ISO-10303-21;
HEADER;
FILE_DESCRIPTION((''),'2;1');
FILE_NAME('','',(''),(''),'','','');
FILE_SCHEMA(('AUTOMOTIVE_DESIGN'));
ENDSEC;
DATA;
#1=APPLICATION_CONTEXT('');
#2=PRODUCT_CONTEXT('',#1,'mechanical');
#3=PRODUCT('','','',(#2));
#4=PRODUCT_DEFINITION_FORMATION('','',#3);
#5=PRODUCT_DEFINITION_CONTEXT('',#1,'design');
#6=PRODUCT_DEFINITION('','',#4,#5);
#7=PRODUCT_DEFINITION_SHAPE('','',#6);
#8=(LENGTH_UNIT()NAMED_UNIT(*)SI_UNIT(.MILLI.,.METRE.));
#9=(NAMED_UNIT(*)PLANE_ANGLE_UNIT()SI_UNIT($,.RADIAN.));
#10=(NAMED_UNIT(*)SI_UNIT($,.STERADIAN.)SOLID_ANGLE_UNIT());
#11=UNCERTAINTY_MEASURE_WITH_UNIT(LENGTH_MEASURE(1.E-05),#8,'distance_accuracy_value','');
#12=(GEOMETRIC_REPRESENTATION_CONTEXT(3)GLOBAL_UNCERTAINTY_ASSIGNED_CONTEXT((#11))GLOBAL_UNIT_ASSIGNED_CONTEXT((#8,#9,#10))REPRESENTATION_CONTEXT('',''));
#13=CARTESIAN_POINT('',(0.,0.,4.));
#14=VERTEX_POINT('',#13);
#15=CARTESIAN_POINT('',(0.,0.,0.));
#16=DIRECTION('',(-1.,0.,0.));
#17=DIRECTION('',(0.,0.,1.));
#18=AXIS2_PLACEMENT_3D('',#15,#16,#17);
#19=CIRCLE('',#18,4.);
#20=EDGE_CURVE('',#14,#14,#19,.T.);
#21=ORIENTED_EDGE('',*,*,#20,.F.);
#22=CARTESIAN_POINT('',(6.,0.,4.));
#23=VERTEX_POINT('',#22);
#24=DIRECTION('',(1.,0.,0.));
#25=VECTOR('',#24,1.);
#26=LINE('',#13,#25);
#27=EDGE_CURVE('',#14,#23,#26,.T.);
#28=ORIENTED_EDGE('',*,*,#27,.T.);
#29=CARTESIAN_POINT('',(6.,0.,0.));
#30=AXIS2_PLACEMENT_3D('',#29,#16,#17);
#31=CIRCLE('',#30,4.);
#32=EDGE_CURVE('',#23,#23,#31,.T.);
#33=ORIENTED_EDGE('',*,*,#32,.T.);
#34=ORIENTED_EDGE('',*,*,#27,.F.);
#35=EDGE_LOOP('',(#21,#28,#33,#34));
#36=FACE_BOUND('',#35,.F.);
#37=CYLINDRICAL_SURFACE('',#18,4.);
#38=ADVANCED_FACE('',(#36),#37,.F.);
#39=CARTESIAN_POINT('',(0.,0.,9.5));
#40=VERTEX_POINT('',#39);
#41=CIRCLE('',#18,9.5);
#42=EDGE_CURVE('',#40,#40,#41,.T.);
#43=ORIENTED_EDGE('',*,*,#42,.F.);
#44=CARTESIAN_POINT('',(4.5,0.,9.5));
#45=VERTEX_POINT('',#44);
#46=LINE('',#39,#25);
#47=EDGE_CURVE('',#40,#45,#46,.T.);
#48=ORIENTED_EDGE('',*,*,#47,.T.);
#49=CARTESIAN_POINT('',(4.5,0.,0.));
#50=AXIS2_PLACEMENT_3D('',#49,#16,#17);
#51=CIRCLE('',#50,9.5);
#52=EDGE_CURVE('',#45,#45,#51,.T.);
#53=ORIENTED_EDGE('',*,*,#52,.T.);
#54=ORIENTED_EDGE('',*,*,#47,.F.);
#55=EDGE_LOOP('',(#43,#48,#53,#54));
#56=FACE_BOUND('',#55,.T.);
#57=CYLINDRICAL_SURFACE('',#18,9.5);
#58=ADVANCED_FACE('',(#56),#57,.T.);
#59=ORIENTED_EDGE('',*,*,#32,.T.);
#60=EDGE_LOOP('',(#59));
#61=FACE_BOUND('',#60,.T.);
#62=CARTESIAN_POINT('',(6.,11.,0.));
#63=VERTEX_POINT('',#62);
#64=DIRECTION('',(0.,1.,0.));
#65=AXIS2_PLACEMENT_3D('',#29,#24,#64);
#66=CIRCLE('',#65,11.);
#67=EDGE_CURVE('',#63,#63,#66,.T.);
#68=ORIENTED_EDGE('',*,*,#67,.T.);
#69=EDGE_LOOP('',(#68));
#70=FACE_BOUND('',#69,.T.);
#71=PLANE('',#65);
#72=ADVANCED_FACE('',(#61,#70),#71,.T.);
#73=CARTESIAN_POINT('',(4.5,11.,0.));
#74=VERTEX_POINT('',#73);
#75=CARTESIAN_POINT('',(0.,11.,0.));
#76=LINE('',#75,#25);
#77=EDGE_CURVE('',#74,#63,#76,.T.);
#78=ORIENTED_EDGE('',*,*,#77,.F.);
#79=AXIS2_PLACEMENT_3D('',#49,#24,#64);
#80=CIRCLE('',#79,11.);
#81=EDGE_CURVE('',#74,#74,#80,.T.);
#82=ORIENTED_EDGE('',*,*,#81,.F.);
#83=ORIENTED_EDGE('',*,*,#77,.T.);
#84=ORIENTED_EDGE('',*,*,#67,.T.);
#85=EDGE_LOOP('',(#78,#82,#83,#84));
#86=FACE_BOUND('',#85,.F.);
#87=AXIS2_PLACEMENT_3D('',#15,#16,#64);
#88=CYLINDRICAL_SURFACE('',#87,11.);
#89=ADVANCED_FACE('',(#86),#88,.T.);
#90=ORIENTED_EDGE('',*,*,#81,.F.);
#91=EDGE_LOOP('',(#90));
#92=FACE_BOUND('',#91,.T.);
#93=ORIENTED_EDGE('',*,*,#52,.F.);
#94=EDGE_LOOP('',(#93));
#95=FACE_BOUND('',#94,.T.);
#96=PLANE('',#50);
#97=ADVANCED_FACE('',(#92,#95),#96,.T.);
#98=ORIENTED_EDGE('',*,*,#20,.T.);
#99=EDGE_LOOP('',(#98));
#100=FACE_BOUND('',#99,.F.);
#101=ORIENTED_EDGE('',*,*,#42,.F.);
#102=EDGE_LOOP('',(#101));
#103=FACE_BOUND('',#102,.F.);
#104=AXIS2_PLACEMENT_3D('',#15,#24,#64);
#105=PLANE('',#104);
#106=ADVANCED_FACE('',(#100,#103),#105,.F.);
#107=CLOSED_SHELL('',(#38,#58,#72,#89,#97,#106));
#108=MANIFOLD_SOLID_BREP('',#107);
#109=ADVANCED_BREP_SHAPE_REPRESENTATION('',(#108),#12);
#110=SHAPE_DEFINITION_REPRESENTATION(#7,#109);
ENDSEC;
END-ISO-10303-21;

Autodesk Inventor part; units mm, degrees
ref_plane "YZ Plane" through (0, 0, 0) normal (1, 0, 0) x (0, 1, 0)
ref_plane "XZ Plane" through (0, 0, 0) normal (0, 1, 0) x (-1, 0, 0)
ref_plane "XY Plane" through (0, 0, 0) normal (0, 0, 1) x (1, 0, 0)
sketch "スケッチ1" plane through (0, 0, 0) normal (1, 0, 0) x (0, 1, 0)
  circle A0 centre (0, 0) radius 11
  dimension "d0" = 22
extrude "押し出し1" add sketch "スケッチ1" along normal blind 6
sketch "スケッチ2" plane through (0, 0, 0) normal (-1, 0, 0) x (0, 0, 1)
  circle A0 centre (0, 0) radius 9.5
  circle A1 centre (0, 0) radius 11
  dimension "d3" = 19
  dimension "d4" = 22
extrude "押し出し2" cut sketch "スケッチ2" against normal blind 4.5
sketch "スケッチ3" plane through (0, 0, 0) normal (-1, 0, 0) x (0, 0, 1)
  circle A0 centre (0, 0) radius 4
  dimension "d7" = 8
extrude "押し出し3" cut sketch "スケッチ3" against normal through all
properties part number "8mmベアリング"
